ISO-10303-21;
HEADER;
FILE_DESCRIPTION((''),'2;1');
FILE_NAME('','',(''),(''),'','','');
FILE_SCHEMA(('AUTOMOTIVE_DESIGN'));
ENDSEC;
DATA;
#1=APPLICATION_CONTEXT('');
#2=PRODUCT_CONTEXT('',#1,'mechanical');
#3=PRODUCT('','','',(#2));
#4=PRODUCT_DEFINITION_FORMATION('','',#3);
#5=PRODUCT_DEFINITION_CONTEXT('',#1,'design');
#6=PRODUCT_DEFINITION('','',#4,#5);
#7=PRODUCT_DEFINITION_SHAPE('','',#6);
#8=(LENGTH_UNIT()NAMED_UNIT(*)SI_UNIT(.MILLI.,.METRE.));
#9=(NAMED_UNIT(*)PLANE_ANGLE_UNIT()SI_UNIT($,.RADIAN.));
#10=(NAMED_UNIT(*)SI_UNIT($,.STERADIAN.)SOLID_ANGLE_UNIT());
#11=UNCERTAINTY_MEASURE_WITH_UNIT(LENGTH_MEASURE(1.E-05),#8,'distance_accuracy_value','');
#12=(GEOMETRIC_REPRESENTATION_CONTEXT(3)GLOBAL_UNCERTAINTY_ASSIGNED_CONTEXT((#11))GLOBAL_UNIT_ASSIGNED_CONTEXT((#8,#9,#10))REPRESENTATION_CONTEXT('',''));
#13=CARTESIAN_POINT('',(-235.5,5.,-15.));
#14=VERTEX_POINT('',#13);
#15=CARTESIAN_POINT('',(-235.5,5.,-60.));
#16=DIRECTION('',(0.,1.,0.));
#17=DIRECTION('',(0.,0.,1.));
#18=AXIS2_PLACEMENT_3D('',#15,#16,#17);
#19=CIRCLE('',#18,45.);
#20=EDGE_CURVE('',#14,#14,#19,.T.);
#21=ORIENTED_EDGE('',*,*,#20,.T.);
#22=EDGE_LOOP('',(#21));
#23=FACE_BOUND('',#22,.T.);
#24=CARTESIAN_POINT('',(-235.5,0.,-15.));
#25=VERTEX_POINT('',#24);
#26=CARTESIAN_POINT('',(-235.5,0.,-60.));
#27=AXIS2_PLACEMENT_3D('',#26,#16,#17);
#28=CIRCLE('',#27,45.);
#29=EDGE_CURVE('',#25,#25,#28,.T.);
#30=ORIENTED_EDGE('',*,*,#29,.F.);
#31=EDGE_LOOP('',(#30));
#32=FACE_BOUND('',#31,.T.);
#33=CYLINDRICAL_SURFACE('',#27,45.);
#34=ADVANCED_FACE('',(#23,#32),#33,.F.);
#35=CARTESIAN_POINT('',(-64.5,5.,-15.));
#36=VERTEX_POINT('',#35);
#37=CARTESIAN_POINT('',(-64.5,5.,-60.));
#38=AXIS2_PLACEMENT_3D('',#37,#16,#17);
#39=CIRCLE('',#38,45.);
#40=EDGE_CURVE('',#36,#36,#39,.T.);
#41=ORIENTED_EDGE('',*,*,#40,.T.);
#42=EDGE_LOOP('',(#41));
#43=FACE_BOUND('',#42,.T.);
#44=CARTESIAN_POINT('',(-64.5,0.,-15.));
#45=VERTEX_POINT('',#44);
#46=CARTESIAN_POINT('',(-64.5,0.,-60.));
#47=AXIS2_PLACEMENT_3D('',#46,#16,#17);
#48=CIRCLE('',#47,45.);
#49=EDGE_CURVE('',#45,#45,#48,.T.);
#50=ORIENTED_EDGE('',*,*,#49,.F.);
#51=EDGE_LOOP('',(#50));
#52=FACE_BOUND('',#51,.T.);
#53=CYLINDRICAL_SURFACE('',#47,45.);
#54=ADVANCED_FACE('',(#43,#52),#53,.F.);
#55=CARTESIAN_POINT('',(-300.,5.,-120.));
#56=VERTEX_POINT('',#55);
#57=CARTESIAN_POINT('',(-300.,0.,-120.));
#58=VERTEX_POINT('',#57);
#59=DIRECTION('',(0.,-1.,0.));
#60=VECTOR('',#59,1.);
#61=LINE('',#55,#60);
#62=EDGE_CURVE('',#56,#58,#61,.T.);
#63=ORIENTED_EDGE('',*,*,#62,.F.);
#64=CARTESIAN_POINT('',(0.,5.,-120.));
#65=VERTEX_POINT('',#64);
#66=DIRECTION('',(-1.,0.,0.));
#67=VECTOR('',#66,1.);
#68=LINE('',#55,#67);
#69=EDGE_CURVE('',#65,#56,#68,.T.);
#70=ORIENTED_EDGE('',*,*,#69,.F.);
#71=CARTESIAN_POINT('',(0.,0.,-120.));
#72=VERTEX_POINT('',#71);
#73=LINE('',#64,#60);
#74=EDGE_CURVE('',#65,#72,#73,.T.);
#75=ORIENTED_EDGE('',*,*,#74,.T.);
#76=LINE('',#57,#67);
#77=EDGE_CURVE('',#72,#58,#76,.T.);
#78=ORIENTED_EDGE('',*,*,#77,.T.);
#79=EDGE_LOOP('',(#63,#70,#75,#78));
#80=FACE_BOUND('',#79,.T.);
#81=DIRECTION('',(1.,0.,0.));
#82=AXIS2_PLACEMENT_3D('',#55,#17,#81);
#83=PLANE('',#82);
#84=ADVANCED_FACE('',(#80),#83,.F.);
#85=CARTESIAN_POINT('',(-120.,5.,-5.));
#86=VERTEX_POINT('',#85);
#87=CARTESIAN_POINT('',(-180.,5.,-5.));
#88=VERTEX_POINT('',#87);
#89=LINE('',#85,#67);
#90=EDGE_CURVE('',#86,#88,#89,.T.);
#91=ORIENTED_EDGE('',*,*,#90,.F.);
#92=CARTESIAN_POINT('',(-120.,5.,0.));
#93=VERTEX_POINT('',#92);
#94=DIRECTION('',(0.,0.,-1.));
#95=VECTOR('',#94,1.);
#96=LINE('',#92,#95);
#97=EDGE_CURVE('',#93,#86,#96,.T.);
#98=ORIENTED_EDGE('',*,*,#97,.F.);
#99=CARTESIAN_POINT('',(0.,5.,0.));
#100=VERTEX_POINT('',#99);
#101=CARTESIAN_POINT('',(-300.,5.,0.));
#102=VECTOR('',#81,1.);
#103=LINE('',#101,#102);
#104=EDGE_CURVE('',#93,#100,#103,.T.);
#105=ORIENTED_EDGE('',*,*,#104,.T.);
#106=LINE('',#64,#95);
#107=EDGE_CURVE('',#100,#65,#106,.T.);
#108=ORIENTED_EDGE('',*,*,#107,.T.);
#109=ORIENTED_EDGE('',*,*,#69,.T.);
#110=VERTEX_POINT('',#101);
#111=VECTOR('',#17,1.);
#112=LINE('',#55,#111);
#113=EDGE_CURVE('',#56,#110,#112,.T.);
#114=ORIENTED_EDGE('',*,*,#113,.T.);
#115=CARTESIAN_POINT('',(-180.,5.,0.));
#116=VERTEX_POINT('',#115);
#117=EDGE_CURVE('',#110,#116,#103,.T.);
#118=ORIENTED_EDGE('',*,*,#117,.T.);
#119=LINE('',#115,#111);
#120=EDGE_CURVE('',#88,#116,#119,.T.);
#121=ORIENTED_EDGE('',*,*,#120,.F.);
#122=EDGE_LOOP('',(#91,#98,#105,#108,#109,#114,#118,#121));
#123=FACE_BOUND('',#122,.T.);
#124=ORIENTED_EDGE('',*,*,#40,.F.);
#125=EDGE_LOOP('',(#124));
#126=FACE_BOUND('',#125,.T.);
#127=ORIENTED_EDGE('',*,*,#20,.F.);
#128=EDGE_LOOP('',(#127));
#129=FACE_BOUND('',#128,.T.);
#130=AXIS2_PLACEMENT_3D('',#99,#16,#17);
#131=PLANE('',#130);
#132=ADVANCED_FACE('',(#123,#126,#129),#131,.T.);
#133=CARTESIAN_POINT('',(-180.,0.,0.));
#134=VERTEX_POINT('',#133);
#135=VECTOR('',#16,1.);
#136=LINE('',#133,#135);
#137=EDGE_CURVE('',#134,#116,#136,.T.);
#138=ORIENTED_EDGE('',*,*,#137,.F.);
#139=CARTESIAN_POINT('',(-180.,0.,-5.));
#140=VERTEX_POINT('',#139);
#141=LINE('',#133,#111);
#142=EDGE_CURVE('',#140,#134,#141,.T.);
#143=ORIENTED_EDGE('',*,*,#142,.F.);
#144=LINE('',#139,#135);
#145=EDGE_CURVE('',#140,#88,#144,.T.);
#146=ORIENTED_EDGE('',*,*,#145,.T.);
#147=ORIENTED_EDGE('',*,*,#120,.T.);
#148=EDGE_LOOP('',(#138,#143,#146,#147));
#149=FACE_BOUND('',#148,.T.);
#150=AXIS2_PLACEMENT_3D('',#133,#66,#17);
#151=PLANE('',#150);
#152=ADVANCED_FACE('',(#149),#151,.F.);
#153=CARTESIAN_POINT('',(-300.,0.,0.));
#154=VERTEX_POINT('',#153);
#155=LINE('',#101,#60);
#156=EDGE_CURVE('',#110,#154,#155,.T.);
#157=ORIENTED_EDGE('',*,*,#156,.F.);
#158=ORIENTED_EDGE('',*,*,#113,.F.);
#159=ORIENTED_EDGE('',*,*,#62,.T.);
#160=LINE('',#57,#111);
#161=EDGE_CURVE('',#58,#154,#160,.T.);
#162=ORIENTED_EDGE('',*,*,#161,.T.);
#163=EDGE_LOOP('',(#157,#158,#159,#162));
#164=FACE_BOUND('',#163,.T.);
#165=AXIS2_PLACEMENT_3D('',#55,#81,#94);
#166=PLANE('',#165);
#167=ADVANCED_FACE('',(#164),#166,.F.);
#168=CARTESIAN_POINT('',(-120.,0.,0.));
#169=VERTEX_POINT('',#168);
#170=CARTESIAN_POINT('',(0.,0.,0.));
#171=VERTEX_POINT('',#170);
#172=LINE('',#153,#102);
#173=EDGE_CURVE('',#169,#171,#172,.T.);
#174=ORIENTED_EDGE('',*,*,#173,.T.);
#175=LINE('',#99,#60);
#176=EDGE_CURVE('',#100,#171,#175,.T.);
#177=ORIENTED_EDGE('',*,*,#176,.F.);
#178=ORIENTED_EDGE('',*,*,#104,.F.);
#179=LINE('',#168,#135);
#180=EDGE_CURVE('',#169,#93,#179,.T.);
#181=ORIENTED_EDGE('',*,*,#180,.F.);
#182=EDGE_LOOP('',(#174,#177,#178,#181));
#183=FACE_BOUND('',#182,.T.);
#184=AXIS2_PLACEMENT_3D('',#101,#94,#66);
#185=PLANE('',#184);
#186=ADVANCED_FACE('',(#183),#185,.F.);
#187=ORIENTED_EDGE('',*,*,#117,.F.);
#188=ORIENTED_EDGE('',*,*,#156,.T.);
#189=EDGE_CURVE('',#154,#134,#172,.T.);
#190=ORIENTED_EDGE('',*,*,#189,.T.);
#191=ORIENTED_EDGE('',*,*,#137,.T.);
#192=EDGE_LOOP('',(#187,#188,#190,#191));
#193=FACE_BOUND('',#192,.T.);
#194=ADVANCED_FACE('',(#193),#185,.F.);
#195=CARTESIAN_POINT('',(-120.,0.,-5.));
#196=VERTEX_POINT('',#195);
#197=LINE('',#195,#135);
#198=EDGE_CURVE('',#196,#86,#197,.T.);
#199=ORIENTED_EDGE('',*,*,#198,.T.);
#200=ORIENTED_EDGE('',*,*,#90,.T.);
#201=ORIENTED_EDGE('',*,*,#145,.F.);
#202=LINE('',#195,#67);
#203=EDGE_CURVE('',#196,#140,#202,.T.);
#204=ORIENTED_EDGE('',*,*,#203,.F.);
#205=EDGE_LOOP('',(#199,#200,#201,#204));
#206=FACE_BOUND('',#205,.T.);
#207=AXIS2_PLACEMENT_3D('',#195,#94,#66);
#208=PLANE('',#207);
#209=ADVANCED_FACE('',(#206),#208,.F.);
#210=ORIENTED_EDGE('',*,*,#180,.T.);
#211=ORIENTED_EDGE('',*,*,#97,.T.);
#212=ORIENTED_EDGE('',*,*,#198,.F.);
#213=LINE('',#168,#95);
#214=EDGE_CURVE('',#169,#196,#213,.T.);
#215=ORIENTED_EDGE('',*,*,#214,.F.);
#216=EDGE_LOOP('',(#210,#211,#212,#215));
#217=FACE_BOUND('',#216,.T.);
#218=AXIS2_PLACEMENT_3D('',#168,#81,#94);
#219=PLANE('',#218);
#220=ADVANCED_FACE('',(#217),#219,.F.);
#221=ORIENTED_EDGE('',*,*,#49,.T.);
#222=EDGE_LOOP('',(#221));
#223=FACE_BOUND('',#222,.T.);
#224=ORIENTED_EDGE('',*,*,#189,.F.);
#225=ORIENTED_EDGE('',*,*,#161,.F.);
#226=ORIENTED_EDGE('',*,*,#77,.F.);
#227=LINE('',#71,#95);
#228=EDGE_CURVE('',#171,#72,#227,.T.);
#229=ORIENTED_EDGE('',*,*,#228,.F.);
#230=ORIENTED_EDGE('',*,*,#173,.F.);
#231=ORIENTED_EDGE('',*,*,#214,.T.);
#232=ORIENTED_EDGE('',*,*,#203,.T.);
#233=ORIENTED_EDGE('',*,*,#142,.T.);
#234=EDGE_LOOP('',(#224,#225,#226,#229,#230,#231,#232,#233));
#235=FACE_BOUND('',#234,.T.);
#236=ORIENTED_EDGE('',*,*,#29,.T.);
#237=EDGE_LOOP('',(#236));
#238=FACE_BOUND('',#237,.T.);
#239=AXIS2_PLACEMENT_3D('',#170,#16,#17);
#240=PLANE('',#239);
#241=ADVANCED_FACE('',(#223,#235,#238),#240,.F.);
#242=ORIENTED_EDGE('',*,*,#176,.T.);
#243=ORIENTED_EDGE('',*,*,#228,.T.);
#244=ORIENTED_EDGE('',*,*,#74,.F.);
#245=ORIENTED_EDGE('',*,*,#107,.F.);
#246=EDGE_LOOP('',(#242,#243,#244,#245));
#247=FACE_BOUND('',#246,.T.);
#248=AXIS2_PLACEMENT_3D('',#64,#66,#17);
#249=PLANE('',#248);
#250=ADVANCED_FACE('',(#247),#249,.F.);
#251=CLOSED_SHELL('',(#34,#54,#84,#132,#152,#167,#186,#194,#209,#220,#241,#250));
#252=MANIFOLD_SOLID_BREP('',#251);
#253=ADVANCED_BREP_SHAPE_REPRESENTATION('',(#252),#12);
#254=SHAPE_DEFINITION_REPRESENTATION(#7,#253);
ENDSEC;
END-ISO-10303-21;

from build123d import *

# Parameters (mm, degrees)
SKETCH1_W           = 300
SKETCH1_H           = 120
BOSS_EXTRUDE1_DEPTH = 5
SKETCH2_R           = 45
SKETCH2_W           = 60
SKETCH2_H           = 5
CUT_EXTRUDE1_DEPTH  = 5


with BuildPart() as part:
    # Sketch1 → Boss-Extrude1 (new body)
    with BuildSketch(Plane(origin=(0, 0, 0), x_dir=(1, 0, 0), z_dir=(0, 1, 0))):
        with Locations((-150, 60)):
            Rectangle(SKETCH1_W, SKETCH1_H)
    extrude(amount=BOSS_EXTRUDE1_DEPTH)

    # Sketch2 → Cut-Extrude1 (cut)
    with BuildSketch(Plane(origin=(0, 5, 0), x_dir=(1, 0, 0), z_dir=(0, 1, 0))):
        with Locations(Location((-64.5, 60, 0), (0, 0, 270))):
            Circle(SKETCH2_R)
        with Locations(Location((-235.5, 60, 0), (0, 0, 270))):
            Circle(SKETCH2_R)
        with Locations((-150, 2.5)):
            Rectangle(SKETCH2_W, SKETCH2_H)
    extrude(amount=-CUT_EXTRUDE1_DEPTH, mode=Mode.SUBTRACT)


solid = part.part
